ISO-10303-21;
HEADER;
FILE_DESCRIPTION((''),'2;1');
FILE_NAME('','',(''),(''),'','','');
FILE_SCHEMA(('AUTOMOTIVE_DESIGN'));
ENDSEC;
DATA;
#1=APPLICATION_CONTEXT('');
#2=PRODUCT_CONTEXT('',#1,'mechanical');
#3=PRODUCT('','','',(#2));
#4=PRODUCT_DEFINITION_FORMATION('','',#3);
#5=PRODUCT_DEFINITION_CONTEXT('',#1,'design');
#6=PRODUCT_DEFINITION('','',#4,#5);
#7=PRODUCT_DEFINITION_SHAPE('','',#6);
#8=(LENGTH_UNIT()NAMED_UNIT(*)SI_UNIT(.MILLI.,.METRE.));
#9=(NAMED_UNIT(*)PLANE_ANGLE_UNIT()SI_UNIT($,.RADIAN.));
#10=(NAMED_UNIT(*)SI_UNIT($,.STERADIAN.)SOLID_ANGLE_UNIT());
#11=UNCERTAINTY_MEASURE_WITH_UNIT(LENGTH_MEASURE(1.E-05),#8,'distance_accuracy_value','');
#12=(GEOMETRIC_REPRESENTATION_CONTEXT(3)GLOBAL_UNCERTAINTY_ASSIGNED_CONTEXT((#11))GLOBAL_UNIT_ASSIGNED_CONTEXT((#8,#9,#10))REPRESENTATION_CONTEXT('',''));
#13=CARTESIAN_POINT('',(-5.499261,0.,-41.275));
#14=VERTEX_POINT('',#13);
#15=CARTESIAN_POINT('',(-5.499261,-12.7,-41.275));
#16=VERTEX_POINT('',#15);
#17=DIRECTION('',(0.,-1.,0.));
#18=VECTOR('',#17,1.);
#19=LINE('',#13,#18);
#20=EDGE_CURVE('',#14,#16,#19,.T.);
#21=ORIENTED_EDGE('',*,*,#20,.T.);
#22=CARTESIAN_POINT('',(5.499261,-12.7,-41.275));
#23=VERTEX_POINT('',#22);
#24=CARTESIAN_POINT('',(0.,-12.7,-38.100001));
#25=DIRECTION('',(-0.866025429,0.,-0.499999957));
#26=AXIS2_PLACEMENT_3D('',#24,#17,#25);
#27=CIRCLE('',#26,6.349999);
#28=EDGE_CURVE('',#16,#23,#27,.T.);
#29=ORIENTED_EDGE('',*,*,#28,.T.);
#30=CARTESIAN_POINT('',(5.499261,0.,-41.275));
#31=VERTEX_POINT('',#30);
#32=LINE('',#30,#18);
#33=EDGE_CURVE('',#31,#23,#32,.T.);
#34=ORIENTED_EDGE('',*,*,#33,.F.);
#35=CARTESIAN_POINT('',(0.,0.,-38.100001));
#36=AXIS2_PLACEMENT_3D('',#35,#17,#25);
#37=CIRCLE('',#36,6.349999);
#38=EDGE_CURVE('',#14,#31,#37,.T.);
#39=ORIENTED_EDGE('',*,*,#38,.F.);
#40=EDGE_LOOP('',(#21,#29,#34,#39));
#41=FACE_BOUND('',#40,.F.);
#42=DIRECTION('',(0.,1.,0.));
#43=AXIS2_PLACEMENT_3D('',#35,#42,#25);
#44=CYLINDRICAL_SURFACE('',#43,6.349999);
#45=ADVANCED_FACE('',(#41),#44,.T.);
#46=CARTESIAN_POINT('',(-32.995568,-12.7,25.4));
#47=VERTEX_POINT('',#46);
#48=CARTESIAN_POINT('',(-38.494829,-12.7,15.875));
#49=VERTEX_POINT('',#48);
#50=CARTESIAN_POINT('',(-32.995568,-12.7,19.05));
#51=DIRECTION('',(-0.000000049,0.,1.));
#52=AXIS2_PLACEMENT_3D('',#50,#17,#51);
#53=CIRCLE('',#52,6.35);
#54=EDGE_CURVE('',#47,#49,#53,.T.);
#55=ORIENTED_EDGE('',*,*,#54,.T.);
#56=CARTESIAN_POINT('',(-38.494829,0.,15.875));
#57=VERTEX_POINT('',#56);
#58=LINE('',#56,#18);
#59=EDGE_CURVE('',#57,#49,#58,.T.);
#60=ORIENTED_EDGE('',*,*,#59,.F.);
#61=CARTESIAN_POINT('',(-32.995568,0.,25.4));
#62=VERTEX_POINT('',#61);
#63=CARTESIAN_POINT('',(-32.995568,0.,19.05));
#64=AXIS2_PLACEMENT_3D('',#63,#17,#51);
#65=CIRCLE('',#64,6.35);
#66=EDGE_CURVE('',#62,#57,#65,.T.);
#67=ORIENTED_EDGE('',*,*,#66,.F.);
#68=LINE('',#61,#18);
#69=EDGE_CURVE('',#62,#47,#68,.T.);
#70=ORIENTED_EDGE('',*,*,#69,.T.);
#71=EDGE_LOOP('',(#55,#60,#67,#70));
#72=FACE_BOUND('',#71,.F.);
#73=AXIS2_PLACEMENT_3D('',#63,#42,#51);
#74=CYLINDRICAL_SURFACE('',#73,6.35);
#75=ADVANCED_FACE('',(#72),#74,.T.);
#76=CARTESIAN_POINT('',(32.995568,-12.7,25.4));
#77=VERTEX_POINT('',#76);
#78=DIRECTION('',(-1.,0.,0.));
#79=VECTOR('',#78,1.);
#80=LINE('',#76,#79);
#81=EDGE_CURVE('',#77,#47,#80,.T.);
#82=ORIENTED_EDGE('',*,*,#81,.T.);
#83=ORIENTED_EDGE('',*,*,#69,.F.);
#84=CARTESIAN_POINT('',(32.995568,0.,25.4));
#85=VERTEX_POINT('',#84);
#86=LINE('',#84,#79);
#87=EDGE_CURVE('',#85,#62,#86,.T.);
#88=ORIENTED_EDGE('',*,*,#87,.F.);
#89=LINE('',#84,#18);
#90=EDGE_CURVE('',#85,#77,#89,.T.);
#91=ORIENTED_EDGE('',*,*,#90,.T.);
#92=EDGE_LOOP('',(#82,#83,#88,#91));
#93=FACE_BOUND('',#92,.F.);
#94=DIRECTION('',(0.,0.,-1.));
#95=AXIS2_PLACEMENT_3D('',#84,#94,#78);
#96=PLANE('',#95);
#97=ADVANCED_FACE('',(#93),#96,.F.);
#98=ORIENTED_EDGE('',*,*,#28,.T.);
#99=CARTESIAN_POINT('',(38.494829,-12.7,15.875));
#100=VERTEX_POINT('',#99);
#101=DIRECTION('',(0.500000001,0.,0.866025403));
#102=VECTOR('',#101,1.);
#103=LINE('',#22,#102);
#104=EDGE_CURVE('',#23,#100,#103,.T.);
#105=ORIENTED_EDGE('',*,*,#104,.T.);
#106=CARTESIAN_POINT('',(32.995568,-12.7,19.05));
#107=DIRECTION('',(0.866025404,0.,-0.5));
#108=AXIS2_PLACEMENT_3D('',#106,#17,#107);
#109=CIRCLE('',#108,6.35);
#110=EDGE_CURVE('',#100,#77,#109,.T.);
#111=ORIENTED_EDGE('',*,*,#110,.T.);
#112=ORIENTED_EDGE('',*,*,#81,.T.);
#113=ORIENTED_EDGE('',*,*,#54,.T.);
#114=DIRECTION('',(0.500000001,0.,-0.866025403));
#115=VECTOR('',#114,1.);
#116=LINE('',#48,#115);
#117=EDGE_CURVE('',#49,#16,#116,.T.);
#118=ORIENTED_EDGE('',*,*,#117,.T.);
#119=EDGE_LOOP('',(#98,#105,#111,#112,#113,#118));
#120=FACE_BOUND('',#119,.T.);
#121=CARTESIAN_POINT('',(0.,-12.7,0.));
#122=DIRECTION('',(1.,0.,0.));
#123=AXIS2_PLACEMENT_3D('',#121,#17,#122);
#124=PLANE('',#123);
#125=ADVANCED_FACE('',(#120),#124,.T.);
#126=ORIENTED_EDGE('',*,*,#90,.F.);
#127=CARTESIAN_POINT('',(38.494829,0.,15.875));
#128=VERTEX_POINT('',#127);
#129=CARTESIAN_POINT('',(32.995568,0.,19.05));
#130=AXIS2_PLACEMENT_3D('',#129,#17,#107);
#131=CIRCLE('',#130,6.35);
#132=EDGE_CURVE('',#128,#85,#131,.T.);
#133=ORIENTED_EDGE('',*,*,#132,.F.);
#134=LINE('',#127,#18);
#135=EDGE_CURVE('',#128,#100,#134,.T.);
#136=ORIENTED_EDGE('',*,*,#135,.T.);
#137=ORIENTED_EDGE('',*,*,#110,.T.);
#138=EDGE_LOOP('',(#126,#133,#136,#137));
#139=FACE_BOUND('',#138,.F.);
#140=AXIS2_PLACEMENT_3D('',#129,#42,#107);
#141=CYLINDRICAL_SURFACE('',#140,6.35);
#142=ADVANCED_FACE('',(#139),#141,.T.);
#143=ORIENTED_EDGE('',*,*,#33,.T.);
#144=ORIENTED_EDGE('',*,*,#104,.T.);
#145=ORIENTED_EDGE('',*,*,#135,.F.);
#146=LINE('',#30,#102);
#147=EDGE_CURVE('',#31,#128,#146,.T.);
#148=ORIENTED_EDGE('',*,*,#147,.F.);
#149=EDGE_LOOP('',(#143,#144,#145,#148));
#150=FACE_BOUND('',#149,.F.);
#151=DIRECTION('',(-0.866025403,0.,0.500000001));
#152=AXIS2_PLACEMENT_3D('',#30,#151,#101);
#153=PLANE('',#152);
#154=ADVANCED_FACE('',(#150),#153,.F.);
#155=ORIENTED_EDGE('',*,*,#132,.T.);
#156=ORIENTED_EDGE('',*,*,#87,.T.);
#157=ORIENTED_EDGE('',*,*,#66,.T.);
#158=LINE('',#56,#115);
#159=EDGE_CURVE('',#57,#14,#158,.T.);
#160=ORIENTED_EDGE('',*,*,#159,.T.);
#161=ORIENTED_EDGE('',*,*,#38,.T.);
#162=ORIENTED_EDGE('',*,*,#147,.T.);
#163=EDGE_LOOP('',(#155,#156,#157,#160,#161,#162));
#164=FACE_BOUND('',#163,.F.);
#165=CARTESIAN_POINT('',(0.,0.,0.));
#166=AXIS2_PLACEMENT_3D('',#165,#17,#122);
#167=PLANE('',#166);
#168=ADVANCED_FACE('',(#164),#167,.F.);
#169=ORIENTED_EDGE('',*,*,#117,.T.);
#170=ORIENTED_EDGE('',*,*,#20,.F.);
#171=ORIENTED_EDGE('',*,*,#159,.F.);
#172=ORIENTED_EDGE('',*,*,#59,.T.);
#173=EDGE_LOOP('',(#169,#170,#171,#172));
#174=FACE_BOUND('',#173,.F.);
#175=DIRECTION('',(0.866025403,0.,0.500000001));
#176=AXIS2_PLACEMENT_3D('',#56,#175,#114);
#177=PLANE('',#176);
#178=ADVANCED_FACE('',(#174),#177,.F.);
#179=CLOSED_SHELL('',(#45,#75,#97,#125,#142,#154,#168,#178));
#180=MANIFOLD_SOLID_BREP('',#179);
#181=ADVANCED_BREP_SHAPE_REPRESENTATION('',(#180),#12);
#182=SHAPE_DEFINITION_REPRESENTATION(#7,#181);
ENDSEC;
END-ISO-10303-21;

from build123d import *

# Parameters (mm, degrees)
F1_DEPTH = 12.7


with BuildPart() as f1:
    # F0 (on Front) → F1 (new body)
    with BuildSketch(Plane.XZ):
        with BuildLine():
            Line((32.995568, 25.4), (-32.995568, 25.4))
            ThreePointArc((-32.995568, 25.4), (-38.494829, 22.225), (-38.494829, 15.875))
            Line((-38.494829, 15.875), (-5.499261, -41.275))
            ThreePointArc((-5.499261, -41.275), (0, -44.45), (5.499261, -41.275))
            Line((5.499261, -41.275), (38.494829, 15.875))
            ThreePointArc((38.494829, 15.875), (38.494829, 22.225), (32.995568, 25.4))
        make_face()
    extrude(amount=F1_DEPTH)


solid = f1.part
